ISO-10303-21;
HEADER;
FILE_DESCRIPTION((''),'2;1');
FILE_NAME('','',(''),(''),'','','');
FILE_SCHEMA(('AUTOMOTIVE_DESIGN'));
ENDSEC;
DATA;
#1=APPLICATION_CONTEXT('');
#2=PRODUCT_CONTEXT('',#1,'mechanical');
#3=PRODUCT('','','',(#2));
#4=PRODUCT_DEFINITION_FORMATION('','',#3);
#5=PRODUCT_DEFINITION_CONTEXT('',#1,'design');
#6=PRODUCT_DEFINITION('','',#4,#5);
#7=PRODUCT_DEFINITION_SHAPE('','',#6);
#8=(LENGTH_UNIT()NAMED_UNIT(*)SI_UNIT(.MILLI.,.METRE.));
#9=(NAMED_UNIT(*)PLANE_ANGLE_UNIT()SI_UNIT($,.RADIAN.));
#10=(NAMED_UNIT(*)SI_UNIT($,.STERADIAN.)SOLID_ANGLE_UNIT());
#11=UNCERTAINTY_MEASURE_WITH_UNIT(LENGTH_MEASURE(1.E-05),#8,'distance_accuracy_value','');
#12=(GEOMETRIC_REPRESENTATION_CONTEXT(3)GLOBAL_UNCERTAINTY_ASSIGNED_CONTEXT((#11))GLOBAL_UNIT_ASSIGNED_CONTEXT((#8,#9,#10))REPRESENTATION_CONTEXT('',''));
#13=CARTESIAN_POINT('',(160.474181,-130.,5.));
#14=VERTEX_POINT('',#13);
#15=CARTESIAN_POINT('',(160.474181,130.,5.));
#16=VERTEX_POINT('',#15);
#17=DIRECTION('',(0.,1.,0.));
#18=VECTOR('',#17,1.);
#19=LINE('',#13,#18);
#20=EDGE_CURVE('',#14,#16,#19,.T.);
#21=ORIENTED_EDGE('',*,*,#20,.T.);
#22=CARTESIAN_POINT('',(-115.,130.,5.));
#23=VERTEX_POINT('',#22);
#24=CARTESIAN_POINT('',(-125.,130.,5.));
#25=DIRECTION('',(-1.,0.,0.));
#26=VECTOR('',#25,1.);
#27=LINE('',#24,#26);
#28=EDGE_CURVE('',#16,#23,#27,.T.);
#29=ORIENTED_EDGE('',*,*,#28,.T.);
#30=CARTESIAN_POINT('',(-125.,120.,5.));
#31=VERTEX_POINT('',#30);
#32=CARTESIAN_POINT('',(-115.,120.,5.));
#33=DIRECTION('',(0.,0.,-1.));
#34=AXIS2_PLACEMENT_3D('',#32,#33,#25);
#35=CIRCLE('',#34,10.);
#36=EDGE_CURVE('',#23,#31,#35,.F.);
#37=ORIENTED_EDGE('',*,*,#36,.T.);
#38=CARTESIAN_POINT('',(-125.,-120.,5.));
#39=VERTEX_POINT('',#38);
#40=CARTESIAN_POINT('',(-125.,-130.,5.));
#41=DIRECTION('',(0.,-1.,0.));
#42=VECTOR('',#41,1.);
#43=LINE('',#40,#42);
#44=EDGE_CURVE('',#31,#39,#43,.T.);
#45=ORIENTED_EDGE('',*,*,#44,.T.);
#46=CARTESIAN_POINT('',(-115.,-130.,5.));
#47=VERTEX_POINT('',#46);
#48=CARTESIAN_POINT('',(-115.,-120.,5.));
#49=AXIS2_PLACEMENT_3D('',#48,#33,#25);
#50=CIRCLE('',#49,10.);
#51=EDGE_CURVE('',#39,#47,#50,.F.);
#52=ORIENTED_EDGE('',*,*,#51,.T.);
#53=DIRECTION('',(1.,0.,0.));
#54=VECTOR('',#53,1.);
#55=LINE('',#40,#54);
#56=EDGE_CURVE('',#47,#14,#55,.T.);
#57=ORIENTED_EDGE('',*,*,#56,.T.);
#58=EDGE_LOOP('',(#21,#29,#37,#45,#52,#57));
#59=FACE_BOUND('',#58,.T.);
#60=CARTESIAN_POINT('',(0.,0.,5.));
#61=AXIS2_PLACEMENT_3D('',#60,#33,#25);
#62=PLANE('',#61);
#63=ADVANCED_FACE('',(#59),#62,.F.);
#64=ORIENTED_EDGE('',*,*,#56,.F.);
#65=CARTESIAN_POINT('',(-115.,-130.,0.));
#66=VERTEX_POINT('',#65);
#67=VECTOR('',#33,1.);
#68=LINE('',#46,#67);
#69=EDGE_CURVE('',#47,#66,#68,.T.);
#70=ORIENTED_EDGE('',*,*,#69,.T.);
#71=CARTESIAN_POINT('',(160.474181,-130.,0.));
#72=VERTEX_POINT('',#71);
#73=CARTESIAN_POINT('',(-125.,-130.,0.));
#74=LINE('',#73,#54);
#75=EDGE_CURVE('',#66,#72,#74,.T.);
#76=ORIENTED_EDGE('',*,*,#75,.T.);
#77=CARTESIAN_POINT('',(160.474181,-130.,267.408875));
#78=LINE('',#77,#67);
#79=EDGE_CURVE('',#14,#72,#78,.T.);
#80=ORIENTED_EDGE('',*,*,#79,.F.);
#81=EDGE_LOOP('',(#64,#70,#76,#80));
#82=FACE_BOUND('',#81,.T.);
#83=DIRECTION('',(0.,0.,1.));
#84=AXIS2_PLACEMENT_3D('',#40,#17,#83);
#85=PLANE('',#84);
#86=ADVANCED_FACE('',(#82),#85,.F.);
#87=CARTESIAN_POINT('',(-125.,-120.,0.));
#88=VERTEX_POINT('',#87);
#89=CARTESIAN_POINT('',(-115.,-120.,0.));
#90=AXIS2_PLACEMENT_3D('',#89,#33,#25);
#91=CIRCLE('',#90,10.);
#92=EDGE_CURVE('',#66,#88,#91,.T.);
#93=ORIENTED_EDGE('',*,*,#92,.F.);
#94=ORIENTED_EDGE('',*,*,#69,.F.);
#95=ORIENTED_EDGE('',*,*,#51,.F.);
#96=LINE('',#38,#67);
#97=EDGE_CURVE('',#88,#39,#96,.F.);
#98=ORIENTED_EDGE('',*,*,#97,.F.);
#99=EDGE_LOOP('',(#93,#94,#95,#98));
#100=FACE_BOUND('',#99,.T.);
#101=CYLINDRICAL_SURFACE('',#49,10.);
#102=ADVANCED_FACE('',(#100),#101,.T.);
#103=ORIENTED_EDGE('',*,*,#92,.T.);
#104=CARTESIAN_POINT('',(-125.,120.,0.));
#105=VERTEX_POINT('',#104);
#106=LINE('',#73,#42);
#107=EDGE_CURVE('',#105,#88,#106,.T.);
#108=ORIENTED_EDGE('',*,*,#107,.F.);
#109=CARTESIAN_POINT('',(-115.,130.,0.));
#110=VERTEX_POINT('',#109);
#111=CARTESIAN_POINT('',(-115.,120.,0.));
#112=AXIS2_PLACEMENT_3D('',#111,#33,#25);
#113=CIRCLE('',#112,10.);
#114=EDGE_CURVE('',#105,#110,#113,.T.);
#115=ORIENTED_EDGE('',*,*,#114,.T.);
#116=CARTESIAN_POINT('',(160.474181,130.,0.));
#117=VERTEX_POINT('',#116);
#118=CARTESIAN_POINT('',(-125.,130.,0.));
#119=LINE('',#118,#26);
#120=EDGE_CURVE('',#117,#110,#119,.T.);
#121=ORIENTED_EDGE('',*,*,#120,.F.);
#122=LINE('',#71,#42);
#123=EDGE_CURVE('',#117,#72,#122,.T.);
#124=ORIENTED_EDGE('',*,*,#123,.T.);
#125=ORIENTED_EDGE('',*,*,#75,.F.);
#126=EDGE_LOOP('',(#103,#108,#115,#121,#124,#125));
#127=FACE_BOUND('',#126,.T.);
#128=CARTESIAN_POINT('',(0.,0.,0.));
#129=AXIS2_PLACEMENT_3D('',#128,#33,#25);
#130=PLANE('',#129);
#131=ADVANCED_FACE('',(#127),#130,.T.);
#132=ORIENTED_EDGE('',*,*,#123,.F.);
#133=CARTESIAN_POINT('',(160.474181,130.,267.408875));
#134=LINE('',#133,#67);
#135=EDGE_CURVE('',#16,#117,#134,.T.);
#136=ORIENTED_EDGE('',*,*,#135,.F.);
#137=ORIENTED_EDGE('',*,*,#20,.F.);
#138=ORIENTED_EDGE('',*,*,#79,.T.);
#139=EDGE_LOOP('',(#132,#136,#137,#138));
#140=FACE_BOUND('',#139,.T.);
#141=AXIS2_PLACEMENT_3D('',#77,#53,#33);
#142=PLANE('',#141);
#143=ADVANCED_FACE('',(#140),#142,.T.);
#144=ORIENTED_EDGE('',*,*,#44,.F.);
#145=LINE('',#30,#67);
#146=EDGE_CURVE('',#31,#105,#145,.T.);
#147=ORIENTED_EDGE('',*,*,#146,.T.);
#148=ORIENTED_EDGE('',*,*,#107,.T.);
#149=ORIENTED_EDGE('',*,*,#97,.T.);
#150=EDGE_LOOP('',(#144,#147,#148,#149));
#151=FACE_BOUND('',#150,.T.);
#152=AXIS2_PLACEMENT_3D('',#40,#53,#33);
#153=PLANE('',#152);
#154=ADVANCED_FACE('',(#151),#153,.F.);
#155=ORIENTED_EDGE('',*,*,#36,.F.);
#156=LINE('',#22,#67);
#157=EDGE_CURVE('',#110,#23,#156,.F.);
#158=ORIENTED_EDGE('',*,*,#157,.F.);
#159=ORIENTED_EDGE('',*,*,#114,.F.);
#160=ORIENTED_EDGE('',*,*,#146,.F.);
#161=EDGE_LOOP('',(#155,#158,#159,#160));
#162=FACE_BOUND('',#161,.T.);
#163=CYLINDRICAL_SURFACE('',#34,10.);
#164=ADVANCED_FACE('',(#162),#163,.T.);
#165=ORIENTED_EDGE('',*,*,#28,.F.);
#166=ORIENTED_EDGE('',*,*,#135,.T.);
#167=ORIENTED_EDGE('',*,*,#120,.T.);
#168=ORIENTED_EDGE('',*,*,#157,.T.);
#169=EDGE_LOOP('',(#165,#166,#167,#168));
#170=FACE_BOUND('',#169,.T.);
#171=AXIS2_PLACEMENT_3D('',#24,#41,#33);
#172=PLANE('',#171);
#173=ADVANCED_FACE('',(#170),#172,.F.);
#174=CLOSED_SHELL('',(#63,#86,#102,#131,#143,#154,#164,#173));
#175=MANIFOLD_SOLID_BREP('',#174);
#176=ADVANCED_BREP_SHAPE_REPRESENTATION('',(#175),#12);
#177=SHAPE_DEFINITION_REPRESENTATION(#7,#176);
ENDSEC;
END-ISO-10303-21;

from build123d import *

# Parameters (mm, degrees)
SKETCH1_W           = 250
SKETCH1_H           = 260
BOSS_EXTRUDE1_DEPTH = 5
FILLET1_R           = 10
SKETCH2_W           = 35.474180531
SKETCH2_H           = 260
BOSS_EXTRUDE2_DEPTH = 5


with BuildPart() as part:
    # Sketch1 → Boss-Extrude1 (new body)
    with BuildSketch(Plane.XY):
        Rectangle(SKETCH1_W, SKETCH1_H)
    extrude(amount=BOSS_EXTRUDE1_DEPTH)

    # Fillet1
    fillet1_edges = [part.edges().sort_by_distance(p)[0] for p in [
        (-125, -130, 2.5),
        (-125, 130, 2.5),
    ]]
    fillet(fillet1_edges, radius=FILLET1_R)

    # Sketch2 → Boss-Extrude2 (add)
    with BuildSketch(Plane(origin=(0, 0, 0), x_dir=(-1, 0, 0), z_dir=(0, 0, -1))):
        with Locations((-142.737090266, 0)):
            Rectangle(SKETCH2_W, SKETCH2_H)
    extrude(amount=-BOSS_EXTRUDE2_DEPTH)


solid = part.part
